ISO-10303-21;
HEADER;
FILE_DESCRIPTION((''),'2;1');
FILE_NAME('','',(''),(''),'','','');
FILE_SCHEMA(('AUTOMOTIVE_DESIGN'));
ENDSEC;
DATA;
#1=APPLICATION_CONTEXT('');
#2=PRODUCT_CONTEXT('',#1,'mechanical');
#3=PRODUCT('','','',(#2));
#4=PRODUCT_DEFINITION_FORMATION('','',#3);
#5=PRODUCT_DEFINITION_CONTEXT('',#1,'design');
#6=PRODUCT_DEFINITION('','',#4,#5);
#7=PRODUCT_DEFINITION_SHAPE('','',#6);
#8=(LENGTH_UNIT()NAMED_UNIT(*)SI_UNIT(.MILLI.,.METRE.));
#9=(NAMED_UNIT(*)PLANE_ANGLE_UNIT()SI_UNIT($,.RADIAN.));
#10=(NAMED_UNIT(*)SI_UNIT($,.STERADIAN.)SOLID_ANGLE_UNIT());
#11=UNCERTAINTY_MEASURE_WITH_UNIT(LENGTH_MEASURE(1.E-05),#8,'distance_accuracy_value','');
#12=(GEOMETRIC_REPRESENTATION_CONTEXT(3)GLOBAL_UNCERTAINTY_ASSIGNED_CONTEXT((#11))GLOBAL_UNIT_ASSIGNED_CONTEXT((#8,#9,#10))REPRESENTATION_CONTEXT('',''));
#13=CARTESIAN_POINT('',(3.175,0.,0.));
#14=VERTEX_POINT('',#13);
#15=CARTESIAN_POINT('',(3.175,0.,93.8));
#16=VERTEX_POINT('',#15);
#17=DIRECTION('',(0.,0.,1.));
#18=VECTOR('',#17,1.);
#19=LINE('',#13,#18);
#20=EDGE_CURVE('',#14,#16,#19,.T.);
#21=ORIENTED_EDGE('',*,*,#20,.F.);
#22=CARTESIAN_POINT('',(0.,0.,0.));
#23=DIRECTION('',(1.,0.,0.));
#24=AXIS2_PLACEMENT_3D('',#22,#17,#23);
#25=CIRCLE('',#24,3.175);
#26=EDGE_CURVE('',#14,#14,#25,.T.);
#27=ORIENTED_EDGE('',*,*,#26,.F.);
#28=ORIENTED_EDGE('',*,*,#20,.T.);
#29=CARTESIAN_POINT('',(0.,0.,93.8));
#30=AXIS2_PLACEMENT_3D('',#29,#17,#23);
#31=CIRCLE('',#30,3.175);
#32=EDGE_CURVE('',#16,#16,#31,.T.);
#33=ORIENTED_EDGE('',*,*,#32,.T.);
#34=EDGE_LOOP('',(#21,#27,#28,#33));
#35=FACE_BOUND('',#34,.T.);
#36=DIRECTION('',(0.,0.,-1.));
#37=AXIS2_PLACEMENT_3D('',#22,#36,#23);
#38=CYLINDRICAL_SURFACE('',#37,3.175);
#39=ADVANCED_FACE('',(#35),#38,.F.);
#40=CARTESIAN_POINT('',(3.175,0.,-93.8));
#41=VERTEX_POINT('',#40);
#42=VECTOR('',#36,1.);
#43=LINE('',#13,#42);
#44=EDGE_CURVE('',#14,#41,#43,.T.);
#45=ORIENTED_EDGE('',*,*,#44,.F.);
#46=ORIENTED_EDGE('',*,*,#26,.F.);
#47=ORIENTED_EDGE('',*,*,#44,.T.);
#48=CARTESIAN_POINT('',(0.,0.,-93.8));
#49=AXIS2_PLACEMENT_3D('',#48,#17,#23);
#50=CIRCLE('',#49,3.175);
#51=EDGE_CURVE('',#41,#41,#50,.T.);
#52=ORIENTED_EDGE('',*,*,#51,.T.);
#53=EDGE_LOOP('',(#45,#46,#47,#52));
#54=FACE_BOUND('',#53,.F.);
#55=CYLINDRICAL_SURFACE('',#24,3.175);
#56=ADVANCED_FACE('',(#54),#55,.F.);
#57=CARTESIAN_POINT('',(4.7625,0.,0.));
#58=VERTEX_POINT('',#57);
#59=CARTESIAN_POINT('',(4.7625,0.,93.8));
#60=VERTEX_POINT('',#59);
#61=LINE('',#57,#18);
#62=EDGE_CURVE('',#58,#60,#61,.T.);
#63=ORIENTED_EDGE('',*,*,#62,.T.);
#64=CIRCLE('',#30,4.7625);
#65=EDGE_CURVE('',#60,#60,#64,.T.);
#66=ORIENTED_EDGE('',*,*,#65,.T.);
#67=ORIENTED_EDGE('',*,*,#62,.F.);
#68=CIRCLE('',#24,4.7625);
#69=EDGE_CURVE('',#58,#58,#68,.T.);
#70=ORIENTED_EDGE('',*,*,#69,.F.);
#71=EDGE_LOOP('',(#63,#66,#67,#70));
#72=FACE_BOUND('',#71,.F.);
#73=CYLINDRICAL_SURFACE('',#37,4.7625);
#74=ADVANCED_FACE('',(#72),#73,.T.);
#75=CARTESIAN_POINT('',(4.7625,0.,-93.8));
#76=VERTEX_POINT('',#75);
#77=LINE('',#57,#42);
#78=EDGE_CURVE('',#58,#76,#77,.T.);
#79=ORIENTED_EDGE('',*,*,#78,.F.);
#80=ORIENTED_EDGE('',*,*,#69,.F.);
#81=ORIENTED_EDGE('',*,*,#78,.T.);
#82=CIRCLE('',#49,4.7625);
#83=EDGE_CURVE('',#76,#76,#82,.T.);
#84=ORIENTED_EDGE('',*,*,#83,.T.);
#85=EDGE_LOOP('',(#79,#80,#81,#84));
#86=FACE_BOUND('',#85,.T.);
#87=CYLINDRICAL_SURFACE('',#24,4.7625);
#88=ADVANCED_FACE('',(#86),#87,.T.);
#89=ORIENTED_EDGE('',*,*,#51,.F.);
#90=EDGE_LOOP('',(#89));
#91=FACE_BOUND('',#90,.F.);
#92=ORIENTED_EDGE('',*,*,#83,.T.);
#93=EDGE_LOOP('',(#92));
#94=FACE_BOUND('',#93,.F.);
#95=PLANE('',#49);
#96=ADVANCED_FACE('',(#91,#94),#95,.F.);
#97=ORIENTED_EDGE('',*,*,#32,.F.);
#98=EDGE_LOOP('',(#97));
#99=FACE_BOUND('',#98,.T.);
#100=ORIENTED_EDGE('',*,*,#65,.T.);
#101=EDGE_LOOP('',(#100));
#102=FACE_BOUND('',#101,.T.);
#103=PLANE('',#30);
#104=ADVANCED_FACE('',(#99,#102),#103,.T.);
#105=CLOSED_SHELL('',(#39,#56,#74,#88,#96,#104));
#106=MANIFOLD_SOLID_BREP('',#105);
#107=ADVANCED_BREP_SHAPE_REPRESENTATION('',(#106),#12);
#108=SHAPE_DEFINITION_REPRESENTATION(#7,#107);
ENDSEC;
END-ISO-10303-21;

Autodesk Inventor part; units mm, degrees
ref_plane "YZ Plane" through (0, 0, 0) normal (1, 0, 0) x (0, 1, 0)
ref_plane "XZ Plane" through (0, 0, 0) normal (0, 1, 0) x (-1, 0, 0)
ref_plane "XY Plane" through (0, 0, 0) normal (0, 0, 1) x (1, 0, 0)
sketch "Sketch1" plane through (0, 0, 0) normal (0, 0, 1) x (1, 0, 0)
  circle A0 centre (0, 0) radius 4.7625
  circle A1 centre (0, 0) radius 3.175
  dimension "d0" = 9.525
  dimension "d1" = 6.35
extrude "Extrusion1" add sketch "Sketch1" along normal mid plane 187.6
properties part number "3215b_Rail Connector Rod_V1" material "GFRP"
